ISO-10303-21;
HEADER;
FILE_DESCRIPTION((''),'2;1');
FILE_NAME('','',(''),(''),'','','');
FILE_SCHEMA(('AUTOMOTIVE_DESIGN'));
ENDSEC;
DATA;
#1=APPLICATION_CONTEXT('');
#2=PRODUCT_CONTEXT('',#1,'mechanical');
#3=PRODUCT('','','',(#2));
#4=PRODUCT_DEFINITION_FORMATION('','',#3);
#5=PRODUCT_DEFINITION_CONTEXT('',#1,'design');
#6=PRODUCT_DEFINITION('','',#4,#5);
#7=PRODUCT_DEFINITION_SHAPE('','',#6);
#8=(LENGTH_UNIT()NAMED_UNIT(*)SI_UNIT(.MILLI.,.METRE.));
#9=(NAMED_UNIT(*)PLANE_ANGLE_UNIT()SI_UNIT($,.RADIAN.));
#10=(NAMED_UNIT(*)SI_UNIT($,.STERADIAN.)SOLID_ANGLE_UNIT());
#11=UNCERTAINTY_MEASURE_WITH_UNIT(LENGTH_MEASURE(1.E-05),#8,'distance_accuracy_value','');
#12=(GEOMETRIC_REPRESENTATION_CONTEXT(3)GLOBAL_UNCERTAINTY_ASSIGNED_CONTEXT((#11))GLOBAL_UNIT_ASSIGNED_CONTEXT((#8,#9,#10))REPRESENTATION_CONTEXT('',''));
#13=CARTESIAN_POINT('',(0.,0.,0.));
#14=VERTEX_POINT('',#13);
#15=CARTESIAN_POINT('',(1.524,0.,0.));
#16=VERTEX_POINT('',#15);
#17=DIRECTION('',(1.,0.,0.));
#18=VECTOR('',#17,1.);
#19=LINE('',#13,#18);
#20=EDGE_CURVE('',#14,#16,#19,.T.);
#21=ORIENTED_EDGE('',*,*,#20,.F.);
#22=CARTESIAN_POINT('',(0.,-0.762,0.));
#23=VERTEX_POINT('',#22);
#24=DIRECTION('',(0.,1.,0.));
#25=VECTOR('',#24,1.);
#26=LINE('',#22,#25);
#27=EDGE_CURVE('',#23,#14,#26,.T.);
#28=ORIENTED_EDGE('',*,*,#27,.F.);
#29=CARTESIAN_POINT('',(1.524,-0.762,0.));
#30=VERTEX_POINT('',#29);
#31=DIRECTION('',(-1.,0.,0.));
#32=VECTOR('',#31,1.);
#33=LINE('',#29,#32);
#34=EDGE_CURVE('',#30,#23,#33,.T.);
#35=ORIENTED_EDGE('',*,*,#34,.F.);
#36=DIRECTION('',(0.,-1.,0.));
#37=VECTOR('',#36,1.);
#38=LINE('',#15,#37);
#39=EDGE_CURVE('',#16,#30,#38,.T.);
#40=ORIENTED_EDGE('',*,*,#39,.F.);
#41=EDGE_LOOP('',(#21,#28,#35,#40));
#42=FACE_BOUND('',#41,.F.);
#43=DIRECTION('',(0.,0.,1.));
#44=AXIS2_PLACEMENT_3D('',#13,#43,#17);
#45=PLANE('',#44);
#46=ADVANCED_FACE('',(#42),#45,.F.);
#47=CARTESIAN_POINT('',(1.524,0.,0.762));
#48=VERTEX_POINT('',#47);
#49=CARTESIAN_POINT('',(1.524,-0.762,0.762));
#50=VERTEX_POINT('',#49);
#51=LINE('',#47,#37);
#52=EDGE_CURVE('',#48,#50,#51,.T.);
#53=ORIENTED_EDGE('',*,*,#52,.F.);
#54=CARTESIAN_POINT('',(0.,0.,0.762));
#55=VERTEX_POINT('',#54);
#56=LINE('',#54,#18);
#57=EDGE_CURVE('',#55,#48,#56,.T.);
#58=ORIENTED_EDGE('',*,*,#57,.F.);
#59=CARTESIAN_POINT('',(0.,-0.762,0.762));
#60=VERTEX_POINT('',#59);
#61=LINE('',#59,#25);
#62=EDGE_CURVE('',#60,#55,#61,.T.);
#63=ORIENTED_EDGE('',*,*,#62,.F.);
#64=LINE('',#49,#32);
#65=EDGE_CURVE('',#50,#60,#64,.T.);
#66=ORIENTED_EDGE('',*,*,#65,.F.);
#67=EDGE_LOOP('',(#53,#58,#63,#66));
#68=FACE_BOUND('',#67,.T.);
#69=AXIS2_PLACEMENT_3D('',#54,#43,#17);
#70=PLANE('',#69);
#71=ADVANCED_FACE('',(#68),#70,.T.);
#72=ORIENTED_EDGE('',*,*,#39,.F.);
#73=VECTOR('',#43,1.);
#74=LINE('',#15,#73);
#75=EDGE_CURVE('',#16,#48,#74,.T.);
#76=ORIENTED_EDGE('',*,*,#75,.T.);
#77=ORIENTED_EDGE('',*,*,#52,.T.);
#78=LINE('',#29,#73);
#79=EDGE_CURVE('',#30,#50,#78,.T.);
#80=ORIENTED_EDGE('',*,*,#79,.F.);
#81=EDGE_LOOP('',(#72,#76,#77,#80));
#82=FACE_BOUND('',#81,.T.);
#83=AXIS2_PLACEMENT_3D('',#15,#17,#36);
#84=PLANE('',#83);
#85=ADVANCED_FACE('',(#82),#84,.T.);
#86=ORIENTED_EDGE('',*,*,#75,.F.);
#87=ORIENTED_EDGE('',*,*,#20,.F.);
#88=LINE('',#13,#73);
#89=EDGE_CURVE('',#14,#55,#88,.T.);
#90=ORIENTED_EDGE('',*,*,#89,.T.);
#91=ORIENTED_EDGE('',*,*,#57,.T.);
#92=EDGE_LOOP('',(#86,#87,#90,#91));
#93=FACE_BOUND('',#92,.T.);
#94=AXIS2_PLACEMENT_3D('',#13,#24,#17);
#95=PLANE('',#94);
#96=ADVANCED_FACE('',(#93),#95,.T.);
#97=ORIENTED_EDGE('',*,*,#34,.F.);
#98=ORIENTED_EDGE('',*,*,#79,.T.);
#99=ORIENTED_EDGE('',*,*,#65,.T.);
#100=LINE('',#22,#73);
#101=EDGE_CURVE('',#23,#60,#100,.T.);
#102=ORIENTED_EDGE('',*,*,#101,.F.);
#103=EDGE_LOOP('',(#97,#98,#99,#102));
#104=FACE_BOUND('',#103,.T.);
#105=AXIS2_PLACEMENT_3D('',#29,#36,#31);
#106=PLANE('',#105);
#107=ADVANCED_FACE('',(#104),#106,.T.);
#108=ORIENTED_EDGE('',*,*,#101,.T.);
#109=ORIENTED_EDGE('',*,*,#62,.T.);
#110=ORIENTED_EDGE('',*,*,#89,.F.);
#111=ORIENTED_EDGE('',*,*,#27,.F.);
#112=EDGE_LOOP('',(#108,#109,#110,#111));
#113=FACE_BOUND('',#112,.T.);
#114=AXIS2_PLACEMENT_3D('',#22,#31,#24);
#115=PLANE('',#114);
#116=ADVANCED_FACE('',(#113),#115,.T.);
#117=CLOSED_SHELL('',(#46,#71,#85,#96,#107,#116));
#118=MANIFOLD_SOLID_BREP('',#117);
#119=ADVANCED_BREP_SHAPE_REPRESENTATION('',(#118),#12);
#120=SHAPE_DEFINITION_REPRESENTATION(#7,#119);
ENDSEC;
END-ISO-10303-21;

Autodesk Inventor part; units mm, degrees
ref_plane "YZ Plane" through (0, 0, 0) normal (1, 0, 0) x (0, 1, 0)
ref_plane "XZ Plane" through (0, 0, 0) normal (0, 1, 0) x (-1, 0, 0)
ref_plane "XY Plane" through (0, 0, 0) normal (0, 0, 1) x (1, 0, 0)
sketch "Sketch1" plane through (0, 0, 0) normal (0, 0, 1) x (1, 0, 0)
  line L0 (0, 0) -> (1.524, 0)
  line L1 (1.524, 0) -> (1.524, -0.762)
  line L2 (1.524, -0.762) -> (0, -0.762)
  line L3 (0, -0.762) -> (0, 0)
  dimension "d0" = 1.524
  dimension "d1" = 0.762
extrude "Extrusion1" add sketch "Sketch1" along normal blind 0.762
properties part number "SMD Resistor" material "Copper"
